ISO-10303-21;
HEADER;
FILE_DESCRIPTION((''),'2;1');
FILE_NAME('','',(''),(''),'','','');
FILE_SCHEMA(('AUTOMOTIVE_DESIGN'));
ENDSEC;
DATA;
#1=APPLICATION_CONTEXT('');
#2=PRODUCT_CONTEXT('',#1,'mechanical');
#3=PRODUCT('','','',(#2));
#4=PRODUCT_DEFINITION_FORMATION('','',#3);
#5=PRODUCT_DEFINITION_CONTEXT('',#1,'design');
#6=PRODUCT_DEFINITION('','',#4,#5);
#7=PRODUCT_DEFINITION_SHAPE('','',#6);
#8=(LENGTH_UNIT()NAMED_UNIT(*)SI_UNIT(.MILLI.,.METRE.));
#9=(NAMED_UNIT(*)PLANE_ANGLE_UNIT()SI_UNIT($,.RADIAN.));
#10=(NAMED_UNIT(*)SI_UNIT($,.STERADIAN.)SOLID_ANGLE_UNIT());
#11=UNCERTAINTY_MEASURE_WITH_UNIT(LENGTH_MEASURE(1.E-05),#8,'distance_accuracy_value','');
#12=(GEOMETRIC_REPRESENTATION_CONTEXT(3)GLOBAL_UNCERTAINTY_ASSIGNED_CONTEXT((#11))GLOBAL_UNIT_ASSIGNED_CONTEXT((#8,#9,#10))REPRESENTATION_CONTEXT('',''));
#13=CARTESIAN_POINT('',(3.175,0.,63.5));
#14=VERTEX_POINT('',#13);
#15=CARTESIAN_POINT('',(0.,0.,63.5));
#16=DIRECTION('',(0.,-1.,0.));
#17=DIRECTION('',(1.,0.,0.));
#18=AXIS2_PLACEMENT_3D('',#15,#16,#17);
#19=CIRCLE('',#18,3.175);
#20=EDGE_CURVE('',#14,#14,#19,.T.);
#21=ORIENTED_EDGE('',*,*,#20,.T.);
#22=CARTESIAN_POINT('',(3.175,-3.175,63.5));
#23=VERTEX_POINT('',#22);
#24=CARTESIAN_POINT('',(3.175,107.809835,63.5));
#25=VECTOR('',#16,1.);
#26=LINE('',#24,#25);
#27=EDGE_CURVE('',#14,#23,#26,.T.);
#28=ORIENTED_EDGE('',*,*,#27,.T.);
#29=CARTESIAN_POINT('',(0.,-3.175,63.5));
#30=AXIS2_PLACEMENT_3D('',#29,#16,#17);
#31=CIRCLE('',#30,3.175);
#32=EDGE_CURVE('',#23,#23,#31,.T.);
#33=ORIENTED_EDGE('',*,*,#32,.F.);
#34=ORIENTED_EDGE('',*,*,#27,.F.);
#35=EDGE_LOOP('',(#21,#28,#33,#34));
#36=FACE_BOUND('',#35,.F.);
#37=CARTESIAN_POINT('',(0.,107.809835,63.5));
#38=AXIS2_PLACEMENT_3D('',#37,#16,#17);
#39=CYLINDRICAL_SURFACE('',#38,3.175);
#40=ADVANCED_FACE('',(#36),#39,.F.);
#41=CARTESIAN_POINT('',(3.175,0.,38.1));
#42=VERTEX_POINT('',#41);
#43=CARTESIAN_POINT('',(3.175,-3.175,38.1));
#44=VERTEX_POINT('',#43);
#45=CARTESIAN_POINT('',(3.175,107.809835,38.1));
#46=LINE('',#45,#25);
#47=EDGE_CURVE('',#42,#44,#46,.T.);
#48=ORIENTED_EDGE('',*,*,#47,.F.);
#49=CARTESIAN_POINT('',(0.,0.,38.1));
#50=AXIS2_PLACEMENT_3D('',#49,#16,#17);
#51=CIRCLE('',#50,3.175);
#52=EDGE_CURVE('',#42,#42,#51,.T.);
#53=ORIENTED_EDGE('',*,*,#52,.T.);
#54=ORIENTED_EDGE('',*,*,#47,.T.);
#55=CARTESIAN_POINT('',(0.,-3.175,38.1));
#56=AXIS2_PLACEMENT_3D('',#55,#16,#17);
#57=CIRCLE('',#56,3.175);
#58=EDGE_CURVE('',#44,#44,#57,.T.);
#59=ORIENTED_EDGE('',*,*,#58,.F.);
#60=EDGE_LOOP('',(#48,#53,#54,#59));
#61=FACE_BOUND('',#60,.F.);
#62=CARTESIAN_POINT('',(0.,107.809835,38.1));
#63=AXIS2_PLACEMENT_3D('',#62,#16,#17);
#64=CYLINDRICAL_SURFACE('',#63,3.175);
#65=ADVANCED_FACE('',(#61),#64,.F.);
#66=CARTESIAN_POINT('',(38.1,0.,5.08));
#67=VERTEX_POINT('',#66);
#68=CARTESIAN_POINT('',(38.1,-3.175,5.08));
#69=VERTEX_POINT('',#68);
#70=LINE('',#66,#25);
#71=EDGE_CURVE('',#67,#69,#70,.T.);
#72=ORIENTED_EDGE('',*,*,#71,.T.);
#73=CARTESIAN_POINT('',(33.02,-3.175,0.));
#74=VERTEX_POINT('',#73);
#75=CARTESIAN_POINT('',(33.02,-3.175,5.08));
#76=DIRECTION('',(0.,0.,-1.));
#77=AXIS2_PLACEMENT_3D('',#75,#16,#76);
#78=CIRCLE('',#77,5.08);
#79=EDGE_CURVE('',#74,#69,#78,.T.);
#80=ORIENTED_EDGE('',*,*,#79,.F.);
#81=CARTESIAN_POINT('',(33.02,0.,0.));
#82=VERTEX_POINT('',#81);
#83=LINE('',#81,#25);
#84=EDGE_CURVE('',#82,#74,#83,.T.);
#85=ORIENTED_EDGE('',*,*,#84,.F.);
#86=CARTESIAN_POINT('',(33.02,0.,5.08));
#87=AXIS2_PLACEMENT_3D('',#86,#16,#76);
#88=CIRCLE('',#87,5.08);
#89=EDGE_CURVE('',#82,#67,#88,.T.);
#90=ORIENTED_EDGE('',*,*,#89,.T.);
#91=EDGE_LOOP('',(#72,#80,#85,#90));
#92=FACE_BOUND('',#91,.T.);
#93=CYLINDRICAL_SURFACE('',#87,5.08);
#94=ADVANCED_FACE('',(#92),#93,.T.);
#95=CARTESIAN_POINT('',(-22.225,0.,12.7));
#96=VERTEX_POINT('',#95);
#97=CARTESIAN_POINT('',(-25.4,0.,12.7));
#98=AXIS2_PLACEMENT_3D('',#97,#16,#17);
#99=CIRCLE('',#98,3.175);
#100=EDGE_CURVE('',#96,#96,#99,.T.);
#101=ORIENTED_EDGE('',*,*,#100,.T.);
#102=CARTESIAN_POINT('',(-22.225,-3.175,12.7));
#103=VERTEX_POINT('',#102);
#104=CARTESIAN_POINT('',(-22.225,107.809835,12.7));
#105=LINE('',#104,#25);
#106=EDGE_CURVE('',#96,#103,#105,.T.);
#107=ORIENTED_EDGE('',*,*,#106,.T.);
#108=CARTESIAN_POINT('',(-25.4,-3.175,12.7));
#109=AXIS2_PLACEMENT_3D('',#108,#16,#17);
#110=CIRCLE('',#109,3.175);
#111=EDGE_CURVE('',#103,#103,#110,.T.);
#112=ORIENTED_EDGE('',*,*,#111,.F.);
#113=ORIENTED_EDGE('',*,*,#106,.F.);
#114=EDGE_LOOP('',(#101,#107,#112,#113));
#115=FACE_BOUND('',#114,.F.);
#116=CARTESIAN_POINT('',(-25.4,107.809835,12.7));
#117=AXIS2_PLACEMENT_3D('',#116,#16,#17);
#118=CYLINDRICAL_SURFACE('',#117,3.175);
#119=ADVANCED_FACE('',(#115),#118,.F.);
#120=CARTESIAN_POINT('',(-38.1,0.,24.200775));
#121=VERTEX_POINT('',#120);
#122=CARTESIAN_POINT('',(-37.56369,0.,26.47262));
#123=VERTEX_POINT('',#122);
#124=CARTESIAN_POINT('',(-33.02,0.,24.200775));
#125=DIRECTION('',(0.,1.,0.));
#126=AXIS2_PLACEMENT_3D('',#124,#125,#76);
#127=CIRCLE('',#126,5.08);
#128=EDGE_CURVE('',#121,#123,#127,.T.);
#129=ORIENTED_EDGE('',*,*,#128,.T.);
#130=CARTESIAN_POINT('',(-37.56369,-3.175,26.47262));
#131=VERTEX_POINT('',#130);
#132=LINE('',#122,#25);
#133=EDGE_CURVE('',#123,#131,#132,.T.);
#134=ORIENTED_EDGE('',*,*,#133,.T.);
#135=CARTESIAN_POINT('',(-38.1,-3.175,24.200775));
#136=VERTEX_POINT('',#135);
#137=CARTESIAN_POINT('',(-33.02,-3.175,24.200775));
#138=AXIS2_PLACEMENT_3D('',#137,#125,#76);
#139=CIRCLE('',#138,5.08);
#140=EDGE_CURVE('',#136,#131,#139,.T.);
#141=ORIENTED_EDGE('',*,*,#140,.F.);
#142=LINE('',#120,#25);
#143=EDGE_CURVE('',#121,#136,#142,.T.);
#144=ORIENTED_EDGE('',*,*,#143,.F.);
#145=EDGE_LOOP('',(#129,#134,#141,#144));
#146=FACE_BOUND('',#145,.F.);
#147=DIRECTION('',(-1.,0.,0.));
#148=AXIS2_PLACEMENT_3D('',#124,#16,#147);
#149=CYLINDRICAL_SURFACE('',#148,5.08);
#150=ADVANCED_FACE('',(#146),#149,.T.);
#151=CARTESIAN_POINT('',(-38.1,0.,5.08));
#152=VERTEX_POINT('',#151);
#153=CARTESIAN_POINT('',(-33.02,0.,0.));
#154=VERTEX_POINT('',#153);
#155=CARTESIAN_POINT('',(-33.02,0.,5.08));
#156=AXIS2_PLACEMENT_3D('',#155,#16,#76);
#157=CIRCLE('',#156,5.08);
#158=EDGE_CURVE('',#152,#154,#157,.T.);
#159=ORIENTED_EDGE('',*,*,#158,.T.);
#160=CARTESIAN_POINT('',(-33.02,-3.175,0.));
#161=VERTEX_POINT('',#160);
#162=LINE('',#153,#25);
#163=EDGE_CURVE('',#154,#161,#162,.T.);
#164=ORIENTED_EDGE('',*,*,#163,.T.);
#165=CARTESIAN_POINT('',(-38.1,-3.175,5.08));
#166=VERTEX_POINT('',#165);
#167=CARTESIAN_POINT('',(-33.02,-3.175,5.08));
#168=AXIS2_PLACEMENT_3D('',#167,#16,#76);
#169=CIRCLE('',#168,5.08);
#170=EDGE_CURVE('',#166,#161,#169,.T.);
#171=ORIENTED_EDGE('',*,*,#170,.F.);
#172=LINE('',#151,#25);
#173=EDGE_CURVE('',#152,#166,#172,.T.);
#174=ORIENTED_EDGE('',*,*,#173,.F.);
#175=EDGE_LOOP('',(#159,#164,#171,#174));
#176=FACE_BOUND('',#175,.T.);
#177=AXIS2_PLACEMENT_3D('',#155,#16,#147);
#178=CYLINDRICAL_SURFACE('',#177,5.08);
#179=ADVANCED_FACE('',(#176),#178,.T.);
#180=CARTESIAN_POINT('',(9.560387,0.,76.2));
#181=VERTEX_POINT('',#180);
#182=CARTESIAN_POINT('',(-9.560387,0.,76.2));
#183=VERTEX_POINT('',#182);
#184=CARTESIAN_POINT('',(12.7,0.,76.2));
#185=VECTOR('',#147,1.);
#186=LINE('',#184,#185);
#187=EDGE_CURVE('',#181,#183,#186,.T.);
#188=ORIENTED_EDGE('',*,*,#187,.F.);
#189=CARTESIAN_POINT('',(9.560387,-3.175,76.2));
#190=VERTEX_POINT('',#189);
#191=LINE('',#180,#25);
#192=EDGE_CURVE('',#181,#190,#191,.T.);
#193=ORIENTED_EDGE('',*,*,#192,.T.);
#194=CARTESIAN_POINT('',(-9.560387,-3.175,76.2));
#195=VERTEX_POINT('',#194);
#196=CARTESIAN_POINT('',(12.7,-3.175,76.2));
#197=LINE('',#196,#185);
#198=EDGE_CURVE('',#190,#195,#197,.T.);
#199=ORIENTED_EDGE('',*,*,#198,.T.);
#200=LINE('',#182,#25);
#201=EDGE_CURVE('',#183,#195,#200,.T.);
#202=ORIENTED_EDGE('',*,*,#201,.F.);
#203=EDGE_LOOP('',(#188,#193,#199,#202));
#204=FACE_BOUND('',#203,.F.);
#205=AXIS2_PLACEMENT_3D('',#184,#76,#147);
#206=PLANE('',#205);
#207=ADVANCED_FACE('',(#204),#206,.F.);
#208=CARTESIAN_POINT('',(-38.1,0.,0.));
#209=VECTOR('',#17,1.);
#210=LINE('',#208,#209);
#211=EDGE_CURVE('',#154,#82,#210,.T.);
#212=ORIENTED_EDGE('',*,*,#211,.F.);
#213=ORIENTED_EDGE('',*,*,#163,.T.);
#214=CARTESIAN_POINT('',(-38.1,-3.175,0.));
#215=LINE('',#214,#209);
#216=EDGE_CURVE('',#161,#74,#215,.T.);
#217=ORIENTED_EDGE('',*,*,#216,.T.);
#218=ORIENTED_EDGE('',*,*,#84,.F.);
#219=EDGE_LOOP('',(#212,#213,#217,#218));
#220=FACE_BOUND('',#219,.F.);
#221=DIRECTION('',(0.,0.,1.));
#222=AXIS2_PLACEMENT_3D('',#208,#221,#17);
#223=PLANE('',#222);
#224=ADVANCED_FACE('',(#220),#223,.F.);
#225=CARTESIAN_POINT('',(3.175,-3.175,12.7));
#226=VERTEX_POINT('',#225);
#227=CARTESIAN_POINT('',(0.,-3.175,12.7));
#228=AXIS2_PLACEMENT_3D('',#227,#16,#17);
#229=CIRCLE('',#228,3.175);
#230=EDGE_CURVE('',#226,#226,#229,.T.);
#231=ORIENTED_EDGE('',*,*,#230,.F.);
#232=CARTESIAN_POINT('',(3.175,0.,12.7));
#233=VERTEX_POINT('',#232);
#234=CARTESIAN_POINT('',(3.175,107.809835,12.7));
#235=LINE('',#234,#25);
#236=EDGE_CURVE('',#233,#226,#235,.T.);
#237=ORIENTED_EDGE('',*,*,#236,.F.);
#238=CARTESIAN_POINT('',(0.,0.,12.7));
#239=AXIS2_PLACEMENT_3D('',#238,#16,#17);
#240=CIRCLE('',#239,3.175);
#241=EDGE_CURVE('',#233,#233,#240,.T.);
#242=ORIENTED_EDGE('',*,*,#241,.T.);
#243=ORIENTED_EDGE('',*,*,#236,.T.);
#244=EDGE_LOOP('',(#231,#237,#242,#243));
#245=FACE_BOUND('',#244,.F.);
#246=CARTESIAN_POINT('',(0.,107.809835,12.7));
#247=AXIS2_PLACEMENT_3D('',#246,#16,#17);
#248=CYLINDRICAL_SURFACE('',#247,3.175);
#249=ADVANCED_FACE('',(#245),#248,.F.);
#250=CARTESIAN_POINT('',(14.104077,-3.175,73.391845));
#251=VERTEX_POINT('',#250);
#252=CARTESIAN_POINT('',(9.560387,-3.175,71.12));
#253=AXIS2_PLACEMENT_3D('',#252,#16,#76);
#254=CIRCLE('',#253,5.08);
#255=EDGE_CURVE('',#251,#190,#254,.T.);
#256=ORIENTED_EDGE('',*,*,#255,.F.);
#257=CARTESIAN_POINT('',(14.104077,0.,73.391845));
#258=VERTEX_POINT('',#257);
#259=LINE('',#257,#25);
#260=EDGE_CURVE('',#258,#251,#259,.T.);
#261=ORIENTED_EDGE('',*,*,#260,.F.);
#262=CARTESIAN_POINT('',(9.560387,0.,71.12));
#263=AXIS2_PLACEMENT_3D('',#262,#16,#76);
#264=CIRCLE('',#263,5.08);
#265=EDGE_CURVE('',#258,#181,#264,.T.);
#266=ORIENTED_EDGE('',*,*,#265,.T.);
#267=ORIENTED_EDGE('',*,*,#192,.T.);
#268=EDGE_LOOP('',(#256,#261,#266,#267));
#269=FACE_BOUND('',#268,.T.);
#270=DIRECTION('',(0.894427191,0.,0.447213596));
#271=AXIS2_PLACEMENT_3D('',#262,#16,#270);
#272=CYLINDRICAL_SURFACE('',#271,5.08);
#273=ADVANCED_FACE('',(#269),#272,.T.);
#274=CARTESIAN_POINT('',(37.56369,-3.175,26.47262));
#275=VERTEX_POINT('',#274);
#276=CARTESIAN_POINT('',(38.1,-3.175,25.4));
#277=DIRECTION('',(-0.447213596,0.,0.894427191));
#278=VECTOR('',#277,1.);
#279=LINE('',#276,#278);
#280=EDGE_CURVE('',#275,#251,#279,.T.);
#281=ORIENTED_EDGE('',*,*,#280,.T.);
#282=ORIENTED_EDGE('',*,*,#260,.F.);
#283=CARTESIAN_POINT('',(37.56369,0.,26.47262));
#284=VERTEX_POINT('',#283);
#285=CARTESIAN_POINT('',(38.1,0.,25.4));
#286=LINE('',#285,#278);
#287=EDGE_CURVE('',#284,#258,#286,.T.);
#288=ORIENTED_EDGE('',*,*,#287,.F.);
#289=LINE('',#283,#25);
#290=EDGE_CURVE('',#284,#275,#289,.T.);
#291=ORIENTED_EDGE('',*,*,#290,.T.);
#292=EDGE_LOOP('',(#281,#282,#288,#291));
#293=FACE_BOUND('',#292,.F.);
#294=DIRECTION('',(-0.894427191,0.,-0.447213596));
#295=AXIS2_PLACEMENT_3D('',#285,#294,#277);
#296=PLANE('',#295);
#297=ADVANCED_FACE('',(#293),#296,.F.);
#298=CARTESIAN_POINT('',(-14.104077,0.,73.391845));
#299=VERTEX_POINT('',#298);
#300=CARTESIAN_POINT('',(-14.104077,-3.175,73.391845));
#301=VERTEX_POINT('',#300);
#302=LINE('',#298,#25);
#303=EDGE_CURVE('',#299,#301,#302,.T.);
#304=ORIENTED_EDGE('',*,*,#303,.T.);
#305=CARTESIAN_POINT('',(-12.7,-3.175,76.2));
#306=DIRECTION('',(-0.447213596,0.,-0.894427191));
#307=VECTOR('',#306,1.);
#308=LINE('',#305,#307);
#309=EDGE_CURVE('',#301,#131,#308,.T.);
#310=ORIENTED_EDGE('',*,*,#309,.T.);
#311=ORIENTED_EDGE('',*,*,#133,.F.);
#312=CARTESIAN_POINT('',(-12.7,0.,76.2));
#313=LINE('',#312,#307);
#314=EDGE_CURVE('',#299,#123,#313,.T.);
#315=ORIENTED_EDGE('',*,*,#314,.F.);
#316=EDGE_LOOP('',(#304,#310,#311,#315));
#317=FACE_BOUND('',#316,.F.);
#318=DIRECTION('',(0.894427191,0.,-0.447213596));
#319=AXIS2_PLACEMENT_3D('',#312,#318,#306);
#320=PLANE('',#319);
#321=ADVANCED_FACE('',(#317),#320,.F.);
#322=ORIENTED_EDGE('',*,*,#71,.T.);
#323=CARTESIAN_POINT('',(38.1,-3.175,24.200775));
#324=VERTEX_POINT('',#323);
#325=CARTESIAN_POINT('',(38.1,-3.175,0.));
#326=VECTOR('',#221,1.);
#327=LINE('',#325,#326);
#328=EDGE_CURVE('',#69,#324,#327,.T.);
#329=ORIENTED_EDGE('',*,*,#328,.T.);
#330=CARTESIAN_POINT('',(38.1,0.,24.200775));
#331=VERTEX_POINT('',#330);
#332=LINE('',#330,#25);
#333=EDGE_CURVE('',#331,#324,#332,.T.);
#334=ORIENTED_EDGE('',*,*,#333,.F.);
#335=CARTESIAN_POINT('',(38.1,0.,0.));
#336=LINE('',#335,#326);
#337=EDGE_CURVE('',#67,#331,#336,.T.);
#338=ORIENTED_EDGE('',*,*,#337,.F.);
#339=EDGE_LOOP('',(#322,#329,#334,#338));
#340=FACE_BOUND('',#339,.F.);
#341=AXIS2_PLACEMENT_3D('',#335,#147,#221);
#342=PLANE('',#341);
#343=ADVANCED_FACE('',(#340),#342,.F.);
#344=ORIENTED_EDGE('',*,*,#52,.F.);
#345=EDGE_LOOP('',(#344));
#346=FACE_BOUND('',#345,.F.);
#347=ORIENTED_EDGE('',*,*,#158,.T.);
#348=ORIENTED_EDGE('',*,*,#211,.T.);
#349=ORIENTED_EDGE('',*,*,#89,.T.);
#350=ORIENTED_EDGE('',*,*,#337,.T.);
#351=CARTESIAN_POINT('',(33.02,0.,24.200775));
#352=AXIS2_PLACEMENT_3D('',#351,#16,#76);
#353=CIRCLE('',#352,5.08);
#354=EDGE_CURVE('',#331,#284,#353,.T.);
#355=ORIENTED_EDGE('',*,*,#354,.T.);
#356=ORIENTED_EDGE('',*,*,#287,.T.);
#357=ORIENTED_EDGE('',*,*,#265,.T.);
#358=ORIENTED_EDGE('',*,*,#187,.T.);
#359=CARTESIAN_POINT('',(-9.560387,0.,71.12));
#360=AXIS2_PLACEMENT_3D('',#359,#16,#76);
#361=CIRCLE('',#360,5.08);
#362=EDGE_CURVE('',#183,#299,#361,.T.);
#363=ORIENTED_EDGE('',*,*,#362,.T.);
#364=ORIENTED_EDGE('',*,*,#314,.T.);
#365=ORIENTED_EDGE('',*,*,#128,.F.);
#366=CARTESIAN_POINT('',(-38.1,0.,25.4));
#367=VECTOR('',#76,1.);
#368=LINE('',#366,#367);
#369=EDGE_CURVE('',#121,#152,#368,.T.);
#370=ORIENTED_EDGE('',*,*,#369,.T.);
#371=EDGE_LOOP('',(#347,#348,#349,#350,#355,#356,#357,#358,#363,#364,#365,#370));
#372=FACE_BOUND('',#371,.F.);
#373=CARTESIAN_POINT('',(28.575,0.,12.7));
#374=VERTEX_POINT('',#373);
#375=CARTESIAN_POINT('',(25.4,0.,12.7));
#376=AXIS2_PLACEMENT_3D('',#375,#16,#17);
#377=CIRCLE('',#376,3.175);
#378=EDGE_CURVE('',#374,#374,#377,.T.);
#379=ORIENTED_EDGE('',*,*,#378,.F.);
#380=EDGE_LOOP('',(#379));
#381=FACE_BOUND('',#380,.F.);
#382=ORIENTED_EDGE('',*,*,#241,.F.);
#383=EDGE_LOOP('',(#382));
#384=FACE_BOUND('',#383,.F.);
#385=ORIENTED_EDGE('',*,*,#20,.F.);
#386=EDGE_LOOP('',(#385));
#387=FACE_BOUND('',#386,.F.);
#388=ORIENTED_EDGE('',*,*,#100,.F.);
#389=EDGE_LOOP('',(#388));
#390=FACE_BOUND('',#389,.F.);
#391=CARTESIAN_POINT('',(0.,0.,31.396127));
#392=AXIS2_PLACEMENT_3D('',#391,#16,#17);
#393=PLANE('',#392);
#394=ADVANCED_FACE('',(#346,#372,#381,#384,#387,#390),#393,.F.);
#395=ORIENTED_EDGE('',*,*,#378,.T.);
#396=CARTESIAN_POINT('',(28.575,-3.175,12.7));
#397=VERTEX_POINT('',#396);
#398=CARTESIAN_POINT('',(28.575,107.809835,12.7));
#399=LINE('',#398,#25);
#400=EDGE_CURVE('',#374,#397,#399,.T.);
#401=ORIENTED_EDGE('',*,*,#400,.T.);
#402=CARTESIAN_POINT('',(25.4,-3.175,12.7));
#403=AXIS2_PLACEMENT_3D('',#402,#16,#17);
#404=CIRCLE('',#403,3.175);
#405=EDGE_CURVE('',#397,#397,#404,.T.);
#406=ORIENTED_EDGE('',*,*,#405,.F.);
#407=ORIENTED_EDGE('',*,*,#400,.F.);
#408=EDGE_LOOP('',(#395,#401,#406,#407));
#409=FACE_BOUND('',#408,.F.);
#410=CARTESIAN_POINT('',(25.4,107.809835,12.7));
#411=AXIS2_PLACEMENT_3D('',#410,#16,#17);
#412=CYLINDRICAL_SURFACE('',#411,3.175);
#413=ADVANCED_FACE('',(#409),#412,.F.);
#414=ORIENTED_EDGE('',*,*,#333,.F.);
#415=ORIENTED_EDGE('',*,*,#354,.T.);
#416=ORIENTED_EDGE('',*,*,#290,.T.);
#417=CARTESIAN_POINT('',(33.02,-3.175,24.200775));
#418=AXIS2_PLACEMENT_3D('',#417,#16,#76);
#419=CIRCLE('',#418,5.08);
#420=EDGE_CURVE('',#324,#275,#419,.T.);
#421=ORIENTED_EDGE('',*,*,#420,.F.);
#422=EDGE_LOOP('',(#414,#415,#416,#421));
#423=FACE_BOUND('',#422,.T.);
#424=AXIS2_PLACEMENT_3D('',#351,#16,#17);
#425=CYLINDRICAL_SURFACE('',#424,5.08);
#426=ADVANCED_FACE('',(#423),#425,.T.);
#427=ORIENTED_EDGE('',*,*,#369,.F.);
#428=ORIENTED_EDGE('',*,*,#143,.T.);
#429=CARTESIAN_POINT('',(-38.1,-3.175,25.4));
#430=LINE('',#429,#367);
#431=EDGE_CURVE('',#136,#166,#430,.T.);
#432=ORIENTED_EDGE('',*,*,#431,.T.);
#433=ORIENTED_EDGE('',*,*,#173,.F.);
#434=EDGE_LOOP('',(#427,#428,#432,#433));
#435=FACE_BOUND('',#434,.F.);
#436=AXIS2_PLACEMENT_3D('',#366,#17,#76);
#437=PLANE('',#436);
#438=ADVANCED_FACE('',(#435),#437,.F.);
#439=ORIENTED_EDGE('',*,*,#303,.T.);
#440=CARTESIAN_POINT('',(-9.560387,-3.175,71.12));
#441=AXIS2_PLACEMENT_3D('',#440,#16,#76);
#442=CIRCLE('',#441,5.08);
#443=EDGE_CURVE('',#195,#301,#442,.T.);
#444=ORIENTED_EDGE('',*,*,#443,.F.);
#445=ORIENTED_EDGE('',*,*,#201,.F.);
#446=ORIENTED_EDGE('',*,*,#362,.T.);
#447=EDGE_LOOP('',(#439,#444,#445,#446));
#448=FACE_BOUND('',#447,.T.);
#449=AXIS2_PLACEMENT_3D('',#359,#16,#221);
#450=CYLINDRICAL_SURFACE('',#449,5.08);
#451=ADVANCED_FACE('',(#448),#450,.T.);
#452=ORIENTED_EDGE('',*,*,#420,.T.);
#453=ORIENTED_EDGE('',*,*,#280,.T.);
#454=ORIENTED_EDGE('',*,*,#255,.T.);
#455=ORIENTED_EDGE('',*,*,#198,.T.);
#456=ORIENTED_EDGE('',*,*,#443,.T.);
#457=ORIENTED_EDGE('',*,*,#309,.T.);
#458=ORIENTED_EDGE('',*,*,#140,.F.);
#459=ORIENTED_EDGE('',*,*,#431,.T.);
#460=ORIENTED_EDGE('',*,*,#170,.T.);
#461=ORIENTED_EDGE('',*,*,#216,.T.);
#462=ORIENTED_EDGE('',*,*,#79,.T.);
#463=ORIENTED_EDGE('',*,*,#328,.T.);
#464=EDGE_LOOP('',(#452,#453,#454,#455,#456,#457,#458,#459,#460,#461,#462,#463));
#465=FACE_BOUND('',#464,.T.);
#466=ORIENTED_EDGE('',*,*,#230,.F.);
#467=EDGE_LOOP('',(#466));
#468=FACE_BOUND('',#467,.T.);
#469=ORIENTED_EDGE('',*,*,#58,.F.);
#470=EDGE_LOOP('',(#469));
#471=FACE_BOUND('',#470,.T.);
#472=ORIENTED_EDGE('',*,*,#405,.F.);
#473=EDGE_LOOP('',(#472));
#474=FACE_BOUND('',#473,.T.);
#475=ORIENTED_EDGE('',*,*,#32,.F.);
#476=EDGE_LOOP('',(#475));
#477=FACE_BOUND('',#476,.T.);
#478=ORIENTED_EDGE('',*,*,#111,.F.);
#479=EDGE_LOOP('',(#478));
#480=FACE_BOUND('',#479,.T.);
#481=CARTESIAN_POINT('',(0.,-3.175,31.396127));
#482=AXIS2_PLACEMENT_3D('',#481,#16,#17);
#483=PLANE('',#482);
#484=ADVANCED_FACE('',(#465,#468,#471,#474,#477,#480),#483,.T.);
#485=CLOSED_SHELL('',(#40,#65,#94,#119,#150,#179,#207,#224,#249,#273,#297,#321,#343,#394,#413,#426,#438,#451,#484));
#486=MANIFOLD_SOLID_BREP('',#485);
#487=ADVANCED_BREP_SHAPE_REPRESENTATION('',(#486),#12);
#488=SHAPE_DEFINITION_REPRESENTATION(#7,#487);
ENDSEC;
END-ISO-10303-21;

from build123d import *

# Parameters (mm, degrees)
F1_DEPTH = 3.175
F2_R     = 5.08
F4_D     = 6.35


with BuildPart() as f1:
    # F0 (on Front) → F1 (new body)
    with BuildSketch(Plane.XZ):
        Polygon((-38.1, 25.4), (-38.1, 0), (38.1, 0), (38.1, 25.4), (12.7, 76.2), (-12.7, 76.2), align=None)
    extrude(amount=F1_DEPTH)

    # F2
    f2_edges = [f1.edges().sort_by_distance(p)[0] for p in [
        (12.7, -1.5875, 76.2),
        (-12.7, -1.5875, 76.2),
        (38.1, -1.5875, 25.4),
        (38.1, -1.5875, 0),
        (-38.1, -1.5875, 25.4),
        (-38.1, -1.5875, 0),
    ]]
    fillet(f2_edges, radius=F2_R)

    # F4 (through all)
    with Locations(Plane(origin=(0, 0, 0), x_dir=(-1, 0, 0), z_dir=(0, 1, 0))):
        with Locations((-25.4, 12.7), (0, 12.7), (25.4, 12.7), (0, 38.1), (0, 63.5)):
            Hole(F4_D / 2)


solid = f1.part
